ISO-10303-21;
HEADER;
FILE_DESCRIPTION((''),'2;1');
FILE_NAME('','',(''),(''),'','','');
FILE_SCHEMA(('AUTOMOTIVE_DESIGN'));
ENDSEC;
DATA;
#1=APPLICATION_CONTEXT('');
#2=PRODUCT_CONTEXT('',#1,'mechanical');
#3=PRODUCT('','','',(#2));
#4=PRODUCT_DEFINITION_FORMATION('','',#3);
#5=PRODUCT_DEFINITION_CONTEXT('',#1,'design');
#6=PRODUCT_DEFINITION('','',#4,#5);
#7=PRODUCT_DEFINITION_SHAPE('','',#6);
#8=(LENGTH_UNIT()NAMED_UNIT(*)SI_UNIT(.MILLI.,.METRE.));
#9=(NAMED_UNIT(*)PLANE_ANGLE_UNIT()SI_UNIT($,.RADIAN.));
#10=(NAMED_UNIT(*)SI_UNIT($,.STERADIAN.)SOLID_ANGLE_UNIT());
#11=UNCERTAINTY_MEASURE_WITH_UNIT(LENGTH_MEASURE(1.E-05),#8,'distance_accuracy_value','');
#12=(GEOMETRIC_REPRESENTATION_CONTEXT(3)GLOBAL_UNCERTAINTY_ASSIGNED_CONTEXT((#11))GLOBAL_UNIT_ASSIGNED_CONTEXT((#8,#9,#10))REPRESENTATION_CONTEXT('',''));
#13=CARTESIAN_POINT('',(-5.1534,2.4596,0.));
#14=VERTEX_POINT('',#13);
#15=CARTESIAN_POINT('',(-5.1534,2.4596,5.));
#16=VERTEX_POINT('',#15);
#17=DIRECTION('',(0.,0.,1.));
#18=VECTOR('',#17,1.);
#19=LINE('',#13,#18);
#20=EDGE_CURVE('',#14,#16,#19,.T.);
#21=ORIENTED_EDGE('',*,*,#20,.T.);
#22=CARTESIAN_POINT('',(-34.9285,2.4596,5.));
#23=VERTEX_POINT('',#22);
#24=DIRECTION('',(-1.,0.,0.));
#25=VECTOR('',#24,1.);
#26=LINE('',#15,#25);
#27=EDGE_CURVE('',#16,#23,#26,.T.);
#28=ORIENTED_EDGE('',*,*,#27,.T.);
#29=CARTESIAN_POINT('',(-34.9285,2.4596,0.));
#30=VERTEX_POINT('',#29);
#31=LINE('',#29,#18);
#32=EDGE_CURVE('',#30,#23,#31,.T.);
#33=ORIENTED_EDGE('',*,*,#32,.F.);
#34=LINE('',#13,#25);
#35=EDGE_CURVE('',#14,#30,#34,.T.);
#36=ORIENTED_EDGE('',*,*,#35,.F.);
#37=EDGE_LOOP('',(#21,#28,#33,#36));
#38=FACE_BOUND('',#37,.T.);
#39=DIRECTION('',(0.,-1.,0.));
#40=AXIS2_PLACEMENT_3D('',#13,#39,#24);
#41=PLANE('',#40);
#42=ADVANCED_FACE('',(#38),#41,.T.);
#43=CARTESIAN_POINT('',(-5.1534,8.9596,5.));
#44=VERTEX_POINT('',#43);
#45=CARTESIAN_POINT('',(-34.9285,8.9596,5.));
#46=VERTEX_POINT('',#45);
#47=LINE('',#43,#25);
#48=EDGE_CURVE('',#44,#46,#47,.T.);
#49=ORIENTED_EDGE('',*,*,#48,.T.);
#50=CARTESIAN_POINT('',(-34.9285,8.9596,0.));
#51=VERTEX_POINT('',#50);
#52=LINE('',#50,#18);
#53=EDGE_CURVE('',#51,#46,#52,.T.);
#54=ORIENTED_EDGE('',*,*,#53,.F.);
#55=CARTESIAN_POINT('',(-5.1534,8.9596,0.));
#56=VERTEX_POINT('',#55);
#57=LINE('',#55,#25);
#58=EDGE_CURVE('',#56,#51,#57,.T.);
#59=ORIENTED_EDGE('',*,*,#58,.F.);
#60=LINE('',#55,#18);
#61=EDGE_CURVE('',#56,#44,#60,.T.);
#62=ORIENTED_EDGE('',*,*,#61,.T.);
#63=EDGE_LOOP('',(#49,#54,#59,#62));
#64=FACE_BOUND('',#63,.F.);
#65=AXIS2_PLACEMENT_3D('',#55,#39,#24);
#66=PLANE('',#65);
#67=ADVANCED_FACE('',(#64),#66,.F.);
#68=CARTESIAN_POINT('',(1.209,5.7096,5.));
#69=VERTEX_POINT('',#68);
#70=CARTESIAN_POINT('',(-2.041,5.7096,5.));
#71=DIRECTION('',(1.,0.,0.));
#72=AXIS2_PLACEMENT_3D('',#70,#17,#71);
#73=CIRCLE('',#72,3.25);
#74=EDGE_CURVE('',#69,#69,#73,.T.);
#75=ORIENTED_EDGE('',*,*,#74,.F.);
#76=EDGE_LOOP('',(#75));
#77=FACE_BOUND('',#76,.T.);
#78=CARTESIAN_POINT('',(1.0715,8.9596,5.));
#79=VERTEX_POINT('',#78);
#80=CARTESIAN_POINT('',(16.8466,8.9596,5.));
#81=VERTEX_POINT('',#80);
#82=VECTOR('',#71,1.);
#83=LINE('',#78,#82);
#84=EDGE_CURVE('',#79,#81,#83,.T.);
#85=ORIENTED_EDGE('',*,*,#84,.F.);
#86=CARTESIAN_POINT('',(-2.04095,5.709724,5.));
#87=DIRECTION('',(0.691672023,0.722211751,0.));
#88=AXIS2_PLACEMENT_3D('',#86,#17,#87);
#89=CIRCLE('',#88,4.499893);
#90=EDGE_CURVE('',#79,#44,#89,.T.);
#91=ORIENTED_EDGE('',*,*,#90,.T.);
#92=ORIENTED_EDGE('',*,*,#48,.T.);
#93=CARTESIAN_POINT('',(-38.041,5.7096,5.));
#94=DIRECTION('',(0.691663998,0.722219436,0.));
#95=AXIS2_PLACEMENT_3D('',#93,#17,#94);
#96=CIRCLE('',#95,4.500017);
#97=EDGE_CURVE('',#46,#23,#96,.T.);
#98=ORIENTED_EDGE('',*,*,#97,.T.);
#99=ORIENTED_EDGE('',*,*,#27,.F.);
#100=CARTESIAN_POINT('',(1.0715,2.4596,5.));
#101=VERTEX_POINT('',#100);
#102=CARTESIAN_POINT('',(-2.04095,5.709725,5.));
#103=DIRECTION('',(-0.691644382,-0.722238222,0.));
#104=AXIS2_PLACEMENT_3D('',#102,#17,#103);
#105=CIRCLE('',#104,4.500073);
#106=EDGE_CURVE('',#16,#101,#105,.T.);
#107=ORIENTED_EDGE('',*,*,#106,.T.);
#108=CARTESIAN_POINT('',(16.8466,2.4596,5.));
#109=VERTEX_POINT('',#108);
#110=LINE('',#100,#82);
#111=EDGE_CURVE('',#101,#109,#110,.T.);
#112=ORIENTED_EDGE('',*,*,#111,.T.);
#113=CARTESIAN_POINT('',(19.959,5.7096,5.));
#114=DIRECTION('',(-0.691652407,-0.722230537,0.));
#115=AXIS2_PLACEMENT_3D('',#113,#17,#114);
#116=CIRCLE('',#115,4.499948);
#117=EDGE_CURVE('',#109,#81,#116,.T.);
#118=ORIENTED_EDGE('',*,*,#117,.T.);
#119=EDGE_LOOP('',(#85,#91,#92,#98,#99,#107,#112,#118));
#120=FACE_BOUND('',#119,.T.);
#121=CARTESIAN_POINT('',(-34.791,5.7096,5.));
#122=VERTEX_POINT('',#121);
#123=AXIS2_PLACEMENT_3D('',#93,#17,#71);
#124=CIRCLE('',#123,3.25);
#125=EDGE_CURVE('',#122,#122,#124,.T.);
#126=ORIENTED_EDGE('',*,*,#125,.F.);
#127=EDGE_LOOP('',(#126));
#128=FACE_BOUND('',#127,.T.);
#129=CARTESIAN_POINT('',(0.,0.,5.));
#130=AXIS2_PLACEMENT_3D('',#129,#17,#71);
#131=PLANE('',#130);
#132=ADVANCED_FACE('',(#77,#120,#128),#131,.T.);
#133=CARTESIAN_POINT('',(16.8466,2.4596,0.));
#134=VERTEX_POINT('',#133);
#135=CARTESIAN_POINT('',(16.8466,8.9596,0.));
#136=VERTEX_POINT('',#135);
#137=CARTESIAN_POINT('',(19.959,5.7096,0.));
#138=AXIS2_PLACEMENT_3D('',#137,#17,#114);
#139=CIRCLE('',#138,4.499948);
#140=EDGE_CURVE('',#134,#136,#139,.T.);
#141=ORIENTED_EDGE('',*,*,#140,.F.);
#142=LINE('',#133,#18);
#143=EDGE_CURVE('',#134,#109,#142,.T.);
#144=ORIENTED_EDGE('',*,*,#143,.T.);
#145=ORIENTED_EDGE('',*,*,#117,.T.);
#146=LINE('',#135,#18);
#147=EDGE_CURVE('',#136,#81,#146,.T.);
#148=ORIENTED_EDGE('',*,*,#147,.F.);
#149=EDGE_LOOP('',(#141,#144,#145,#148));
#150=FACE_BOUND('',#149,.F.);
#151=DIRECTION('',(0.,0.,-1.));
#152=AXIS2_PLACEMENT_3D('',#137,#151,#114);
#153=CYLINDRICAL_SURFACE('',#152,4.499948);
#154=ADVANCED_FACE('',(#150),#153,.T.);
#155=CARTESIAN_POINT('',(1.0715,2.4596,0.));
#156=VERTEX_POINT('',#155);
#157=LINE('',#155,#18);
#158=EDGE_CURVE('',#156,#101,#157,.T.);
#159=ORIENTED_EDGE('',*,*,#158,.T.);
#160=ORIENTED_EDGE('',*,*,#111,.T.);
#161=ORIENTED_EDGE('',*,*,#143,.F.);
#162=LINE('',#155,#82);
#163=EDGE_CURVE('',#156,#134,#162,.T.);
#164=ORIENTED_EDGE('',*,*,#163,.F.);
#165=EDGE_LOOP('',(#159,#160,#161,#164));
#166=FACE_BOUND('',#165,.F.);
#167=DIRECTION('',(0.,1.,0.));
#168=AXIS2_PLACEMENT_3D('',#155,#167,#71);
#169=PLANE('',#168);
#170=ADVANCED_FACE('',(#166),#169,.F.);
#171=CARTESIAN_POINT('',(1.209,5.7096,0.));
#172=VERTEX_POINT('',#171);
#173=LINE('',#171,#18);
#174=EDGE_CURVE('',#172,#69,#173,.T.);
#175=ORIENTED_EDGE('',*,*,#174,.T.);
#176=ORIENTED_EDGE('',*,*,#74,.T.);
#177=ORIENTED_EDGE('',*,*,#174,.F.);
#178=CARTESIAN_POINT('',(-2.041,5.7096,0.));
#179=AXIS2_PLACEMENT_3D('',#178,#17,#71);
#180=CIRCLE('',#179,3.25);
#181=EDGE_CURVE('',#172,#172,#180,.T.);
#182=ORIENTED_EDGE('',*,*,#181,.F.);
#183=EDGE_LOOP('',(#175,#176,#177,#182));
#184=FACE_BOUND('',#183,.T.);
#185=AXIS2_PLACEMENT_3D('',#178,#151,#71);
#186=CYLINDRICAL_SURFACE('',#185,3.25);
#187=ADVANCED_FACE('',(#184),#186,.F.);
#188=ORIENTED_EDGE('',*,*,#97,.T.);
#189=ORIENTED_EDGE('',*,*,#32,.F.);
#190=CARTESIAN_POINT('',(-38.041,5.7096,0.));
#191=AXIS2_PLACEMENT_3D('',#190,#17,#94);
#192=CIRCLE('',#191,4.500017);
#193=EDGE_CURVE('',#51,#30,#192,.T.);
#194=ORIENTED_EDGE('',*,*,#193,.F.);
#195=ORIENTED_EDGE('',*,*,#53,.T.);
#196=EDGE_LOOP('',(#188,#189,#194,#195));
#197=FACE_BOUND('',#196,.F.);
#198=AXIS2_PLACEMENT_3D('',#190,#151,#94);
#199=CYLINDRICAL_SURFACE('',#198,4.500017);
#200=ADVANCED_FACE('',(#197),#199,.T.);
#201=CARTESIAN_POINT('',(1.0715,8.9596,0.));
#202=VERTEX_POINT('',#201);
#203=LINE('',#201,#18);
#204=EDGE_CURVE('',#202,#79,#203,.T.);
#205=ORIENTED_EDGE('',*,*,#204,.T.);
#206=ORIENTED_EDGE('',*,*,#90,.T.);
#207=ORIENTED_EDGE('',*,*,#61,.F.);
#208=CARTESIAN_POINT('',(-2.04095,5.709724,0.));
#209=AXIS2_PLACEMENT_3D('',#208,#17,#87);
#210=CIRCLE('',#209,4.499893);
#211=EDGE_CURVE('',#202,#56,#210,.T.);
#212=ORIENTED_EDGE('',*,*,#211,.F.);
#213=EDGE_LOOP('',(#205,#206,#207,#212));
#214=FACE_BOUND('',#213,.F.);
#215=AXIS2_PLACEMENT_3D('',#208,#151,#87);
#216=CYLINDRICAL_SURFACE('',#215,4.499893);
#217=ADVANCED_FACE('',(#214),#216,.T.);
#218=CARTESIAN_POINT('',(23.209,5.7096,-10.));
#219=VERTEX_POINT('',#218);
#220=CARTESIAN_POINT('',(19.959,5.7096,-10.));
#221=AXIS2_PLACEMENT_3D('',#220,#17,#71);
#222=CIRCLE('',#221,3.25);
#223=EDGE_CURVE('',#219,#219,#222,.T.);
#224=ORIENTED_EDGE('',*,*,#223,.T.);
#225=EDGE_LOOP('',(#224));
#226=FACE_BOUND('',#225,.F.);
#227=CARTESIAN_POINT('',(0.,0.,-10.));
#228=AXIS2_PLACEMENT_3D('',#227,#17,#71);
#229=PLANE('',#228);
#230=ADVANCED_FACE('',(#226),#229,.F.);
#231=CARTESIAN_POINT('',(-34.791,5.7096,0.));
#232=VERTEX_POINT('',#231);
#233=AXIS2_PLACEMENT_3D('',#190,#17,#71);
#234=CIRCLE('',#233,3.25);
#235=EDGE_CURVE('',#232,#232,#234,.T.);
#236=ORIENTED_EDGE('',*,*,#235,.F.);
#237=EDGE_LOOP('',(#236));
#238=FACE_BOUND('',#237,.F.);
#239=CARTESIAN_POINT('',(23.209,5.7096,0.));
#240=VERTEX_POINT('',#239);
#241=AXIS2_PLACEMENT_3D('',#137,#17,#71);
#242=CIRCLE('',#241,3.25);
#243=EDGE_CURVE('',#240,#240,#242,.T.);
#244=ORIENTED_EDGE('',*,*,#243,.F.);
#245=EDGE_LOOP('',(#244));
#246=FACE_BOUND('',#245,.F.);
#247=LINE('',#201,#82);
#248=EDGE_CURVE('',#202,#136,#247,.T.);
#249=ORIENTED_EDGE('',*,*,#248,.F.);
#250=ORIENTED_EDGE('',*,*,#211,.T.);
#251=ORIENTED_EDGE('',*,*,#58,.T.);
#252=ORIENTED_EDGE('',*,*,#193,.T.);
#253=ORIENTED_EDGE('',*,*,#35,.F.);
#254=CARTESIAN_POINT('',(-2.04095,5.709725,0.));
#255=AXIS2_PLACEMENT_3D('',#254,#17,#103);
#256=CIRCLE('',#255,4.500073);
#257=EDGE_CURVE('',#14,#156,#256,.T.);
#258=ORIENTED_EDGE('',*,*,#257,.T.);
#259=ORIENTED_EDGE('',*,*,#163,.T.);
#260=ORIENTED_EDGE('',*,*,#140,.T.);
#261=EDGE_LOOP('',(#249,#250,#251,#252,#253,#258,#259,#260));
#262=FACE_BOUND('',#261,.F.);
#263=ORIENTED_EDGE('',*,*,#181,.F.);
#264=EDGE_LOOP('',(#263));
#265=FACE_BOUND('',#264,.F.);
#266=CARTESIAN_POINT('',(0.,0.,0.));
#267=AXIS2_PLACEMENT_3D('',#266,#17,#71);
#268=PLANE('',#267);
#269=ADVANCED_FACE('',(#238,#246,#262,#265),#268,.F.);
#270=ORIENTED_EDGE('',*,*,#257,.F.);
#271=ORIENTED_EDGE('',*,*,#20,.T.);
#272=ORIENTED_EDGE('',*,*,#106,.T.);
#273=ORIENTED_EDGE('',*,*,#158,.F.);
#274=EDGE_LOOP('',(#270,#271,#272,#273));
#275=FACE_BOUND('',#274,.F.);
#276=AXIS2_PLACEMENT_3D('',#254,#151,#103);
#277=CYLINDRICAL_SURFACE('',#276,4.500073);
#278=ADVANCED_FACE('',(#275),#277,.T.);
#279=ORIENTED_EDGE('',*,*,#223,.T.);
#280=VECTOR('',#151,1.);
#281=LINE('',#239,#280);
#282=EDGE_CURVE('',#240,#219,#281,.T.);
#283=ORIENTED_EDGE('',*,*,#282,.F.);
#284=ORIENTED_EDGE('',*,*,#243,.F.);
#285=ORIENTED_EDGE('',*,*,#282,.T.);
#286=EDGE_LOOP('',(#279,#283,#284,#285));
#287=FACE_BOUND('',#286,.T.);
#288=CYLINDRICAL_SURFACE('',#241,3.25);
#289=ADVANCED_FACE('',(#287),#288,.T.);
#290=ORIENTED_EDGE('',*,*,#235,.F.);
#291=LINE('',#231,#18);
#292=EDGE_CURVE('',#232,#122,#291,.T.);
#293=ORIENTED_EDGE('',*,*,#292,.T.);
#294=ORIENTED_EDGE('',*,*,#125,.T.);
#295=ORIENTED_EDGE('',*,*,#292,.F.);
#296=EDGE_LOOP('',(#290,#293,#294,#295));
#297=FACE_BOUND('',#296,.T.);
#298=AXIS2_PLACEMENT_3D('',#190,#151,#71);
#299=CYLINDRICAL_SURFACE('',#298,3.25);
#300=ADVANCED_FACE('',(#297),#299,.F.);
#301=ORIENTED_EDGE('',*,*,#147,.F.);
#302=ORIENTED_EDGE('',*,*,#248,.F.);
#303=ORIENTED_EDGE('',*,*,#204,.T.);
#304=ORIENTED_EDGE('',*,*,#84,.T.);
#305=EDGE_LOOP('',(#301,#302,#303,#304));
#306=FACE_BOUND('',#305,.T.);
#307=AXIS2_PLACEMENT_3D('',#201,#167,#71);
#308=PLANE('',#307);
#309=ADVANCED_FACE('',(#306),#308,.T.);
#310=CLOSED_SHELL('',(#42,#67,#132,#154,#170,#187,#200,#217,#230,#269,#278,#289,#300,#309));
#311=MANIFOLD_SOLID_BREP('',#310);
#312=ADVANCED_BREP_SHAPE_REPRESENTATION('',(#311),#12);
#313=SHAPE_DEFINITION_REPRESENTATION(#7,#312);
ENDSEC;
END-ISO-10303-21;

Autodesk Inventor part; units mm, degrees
ref_plane "YZ Plane" through (0, 0, 0) normal (1, 0, 0) x (0, 1, 0)
ref_plane "XZ Plane" through (0, 0, 0) normal (0, 1, 0) x (-1, 0, 0)
ref_plane "XY Plane" through (0, 0, 0) normal (0, 0, 1) x (1, 0, 0)
sketch "Sketch2" plane through (0, 0, 0) normal (0, 0, 1) x (1, 0, 0)
  circle A0 centre (-38.041, 5.7096) radius 3.25
  circle A1 centre (-2.041, 5.7096) radius 3.25
  circle A2 centre (19.959, 5.7096) radius 3.25
  arc A3 (16.8466, 2.4596) -> (16.8466, 8.9596) centre (19.959, 5.7096) ccw
  arc A4 (1.0715, 8.9596) -> (-5.1534, 8.9596) centre (-2.041, 5.7096) ccw
  line L0 (-5.1534, 8.9596) -> (-34.9285, 8.9596)
  arc A5 (-34.9285, 8.9596) -> (-34.9285, 2.4596) centre (-38.041, 5.7096) ccw
  arc A6 (-5.1534, 2.4596) -> (1.0715, 2.4596) centre (-2.041, 5.7096) ccw
  line L1 (1.0715, 8.9596) -> (16.8466, 8.9596)
  line L2 (-53.975, 5.7096) -> (31.1837, 5.7096) construction
  line L3 (-5.1534, 2.4596) -> (-34.9285, 2.4596)
  line L4 (1.0715, 2.4596) -> (16.8466, 2.4596)
  point P0 (0, 0)
  dimension "d4" = 22
  dimension "d5" = 36
  dimension "d6" = 6.5
  dimension "d7" = 9
  dimension "d8" = 6.5
extrude "Extrusion1" add sketch "Sketch2" along normal blind 5 contours A2 | L4 A6 L3 A5 L0 A4 L1 A3
extrude "Extrusion2" add sketch "Sketch2" against normal blind 10 contours A2
equation "\"d6\" = R"
equation "\"d7\" = R1"
equation "\"d8\" = width"
equation "\"d0\" = thickness"
equation "\"d2\" = 2 * thickness"
equation "\"R\" = 6.5"
equation "\"thickness\" = 5"
equation "\"width\" = 6.5"
equation "\"R1\" = 9"
